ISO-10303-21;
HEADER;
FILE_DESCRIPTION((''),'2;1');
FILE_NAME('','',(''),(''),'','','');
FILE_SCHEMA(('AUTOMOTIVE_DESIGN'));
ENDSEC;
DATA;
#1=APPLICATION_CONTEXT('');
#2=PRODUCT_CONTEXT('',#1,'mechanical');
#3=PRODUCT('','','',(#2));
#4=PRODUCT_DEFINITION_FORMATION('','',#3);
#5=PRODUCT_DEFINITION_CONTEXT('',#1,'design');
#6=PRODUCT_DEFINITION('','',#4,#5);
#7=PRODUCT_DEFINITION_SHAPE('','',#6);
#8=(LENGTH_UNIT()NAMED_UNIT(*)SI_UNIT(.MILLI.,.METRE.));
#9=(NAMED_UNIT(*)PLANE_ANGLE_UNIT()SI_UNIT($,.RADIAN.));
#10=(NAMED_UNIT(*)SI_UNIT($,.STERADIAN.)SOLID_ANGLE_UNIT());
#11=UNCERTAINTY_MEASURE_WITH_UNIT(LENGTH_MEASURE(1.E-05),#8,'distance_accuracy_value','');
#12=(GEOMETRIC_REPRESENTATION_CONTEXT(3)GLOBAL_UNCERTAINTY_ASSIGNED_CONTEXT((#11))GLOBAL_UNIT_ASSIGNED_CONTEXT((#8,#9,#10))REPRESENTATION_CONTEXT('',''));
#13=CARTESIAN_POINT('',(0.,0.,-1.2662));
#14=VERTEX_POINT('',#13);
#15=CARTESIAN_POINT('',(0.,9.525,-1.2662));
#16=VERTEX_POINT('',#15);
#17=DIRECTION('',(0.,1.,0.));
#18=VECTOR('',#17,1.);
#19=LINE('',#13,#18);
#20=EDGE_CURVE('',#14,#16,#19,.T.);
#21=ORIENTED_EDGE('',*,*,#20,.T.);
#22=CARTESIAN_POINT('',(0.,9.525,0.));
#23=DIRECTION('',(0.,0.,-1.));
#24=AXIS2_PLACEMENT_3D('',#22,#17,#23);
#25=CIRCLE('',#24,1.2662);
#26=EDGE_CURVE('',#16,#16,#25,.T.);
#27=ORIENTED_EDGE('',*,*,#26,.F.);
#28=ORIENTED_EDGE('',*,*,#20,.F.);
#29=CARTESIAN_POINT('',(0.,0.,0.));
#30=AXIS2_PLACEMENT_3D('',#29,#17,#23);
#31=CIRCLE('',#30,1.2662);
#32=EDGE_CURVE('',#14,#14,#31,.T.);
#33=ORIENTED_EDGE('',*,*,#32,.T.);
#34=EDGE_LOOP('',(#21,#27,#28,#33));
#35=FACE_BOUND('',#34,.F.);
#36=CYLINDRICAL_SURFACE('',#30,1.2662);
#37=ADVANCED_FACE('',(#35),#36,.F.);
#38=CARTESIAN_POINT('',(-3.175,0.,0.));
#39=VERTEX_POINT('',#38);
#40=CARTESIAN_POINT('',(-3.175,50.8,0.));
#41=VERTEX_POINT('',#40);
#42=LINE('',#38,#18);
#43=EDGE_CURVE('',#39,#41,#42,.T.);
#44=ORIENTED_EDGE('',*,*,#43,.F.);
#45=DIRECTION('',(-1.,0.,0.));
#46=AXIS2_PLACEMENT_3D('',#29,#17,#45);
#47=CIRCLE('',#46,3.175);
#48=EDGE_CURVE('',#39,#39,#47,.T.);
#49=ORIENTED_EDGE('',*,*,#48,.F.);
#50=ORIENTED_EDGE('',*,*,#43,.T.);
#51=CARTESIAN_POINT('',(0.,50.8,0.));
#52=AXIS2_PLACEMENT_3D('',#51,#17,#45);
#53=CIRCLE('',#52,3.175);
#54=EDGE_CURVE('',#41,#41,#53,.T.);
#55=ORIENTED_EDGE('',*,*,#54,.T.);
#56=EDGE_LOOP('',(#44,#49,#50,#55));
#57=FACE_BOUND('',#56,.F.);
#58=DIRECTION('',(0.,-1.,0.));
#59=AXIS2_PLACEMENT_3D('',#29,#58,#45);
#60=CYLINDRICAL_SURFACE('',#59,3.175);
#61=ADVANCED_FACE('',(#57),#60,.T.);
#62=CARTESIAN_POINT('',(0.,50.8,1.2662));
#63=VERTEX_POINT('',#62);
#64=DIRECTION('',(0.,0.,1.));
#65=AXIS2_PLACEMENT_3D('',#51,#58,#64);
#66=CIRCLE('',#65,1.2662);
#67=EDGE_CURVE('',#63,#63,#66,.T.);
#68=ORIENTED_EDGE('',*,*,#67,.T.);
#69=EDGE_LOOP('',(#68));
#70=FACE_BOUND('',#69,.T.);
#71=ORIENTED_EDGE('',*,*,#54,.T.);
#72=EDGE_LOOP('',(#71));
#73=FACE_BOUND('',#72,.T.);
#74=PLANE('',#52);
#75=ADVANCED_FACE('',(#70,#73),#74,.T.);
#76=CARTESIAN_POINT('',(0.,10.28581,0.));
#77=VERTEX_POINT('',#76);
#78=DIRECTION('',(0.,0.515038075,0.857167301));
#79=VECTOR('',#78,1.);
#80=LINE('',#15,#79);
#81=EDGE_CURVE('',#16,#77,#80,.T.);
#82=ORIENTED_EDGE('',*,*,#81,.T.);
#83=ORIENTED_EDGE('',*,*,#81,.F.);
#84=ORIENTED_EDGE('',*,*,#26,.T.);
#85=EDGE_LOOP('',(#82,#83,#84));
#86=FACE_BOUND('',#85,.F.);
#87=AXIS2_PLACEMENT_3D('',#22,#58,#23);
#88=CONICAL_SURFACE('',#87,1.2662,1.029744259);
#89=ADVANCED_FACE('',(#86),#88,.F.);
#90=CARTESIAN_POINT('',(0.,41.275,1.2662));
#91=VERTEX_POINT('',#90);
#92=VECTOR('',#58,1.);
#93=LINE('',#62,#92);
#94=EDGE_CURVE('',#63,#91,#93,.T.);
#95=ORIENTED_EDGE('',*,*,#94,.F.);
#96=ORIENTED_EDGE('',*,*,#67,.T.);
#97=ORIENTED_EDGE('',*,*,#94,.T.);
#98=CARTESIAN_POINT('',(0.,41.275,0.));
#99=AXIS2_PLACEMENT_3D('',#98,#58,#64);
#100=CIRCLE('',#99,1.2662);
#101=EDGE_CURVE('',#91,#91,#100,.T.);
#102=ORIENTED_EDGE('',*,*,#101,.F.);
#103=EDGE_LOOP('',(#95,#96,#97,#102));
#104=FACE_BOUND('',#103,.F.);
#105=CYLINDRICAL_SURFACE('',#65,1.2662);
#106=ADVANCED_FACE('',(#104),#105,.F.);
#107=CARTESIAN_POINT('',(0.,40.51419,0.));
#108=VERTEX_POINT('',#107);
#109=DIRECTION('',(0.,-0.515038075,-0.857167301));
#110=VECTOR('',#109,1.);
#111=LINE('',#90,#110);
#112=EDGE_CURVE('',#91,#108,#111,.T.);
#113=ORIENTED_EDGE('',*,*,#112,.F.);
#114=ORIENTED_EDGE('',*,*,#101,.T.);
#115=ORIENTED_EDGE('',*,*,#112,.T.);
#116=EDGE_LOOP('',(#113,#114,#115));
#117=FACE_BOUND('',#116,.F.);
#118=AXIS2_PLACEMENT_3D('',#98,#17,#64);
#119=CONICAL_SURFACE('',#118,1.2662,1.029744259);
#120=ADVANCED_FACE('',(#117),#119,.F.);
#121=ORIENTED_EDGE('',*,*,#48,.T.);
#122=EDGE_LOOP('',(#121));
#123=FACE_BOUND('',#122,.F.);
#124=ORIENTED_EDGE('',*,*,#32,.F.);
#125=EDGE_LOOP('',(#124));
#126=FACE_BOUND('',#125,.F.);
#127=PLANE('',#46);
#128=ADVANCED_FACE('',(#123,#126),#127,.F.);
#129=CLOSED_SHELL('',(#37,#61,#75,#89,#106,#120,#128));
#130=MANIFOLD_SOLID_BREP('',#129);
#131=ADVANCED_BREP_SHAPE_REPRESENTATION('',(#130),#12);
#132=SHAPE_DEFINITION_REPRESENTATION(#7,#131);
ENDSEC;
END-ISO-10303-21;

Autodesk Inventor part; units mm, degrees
ref_plane "YZ Plane" through (0, 0, 0) normal (1, 0, 0) x (0, 1, 0)
ref_plane "XZ Plane" through (0, 0, 0) normal (0, 1, 0) x (-1, 0, 0)
ref_plane "XY Plane" through (0, 0, 0) normal (0, 0, 1) x (1, 0, 0)
sketch "Sketch1" plane through (0, 0, 0) normal (0, 1, 0) x (-1, 0, 0)
  circle A0 centre (0, 0) radius 3.175
  dimension "d0" = 6.35
extrude "Extrusion1" add sketch "Sketch1" along normal blind 50.8
sketch "Sketch2" plane through (0, 50.8, 0) normal (0, 1, 0) x (1, 0, 0)
  point P0 (0, 0)
  point P1 (0, 0)
hole "Hole1" at (0, 50.8, 0) direction (0, -1, 0) diameter 2.5324 depth 9.525 tip angle 118
thread "Thread1" size "6-32 UNC" class "2B" standard "ANSI Unified Screw Threads" full length
sketch "Sketch3" plane through (0, 0, 0) normal (0, -1, 0) x (1, 0, 0)
  point P0 (0, 0)
  point P1 (0, 0)
hole "Hole2" at (0, 0, 0) direction (0, 1, 0) diameter 2.5324 depth 9.525 tip angle 118
thread "Thread2" size "6-32 UNC" class "2B" standard "ANSI Unified Screw Threads" full length
properties part number "2inStandoff"
